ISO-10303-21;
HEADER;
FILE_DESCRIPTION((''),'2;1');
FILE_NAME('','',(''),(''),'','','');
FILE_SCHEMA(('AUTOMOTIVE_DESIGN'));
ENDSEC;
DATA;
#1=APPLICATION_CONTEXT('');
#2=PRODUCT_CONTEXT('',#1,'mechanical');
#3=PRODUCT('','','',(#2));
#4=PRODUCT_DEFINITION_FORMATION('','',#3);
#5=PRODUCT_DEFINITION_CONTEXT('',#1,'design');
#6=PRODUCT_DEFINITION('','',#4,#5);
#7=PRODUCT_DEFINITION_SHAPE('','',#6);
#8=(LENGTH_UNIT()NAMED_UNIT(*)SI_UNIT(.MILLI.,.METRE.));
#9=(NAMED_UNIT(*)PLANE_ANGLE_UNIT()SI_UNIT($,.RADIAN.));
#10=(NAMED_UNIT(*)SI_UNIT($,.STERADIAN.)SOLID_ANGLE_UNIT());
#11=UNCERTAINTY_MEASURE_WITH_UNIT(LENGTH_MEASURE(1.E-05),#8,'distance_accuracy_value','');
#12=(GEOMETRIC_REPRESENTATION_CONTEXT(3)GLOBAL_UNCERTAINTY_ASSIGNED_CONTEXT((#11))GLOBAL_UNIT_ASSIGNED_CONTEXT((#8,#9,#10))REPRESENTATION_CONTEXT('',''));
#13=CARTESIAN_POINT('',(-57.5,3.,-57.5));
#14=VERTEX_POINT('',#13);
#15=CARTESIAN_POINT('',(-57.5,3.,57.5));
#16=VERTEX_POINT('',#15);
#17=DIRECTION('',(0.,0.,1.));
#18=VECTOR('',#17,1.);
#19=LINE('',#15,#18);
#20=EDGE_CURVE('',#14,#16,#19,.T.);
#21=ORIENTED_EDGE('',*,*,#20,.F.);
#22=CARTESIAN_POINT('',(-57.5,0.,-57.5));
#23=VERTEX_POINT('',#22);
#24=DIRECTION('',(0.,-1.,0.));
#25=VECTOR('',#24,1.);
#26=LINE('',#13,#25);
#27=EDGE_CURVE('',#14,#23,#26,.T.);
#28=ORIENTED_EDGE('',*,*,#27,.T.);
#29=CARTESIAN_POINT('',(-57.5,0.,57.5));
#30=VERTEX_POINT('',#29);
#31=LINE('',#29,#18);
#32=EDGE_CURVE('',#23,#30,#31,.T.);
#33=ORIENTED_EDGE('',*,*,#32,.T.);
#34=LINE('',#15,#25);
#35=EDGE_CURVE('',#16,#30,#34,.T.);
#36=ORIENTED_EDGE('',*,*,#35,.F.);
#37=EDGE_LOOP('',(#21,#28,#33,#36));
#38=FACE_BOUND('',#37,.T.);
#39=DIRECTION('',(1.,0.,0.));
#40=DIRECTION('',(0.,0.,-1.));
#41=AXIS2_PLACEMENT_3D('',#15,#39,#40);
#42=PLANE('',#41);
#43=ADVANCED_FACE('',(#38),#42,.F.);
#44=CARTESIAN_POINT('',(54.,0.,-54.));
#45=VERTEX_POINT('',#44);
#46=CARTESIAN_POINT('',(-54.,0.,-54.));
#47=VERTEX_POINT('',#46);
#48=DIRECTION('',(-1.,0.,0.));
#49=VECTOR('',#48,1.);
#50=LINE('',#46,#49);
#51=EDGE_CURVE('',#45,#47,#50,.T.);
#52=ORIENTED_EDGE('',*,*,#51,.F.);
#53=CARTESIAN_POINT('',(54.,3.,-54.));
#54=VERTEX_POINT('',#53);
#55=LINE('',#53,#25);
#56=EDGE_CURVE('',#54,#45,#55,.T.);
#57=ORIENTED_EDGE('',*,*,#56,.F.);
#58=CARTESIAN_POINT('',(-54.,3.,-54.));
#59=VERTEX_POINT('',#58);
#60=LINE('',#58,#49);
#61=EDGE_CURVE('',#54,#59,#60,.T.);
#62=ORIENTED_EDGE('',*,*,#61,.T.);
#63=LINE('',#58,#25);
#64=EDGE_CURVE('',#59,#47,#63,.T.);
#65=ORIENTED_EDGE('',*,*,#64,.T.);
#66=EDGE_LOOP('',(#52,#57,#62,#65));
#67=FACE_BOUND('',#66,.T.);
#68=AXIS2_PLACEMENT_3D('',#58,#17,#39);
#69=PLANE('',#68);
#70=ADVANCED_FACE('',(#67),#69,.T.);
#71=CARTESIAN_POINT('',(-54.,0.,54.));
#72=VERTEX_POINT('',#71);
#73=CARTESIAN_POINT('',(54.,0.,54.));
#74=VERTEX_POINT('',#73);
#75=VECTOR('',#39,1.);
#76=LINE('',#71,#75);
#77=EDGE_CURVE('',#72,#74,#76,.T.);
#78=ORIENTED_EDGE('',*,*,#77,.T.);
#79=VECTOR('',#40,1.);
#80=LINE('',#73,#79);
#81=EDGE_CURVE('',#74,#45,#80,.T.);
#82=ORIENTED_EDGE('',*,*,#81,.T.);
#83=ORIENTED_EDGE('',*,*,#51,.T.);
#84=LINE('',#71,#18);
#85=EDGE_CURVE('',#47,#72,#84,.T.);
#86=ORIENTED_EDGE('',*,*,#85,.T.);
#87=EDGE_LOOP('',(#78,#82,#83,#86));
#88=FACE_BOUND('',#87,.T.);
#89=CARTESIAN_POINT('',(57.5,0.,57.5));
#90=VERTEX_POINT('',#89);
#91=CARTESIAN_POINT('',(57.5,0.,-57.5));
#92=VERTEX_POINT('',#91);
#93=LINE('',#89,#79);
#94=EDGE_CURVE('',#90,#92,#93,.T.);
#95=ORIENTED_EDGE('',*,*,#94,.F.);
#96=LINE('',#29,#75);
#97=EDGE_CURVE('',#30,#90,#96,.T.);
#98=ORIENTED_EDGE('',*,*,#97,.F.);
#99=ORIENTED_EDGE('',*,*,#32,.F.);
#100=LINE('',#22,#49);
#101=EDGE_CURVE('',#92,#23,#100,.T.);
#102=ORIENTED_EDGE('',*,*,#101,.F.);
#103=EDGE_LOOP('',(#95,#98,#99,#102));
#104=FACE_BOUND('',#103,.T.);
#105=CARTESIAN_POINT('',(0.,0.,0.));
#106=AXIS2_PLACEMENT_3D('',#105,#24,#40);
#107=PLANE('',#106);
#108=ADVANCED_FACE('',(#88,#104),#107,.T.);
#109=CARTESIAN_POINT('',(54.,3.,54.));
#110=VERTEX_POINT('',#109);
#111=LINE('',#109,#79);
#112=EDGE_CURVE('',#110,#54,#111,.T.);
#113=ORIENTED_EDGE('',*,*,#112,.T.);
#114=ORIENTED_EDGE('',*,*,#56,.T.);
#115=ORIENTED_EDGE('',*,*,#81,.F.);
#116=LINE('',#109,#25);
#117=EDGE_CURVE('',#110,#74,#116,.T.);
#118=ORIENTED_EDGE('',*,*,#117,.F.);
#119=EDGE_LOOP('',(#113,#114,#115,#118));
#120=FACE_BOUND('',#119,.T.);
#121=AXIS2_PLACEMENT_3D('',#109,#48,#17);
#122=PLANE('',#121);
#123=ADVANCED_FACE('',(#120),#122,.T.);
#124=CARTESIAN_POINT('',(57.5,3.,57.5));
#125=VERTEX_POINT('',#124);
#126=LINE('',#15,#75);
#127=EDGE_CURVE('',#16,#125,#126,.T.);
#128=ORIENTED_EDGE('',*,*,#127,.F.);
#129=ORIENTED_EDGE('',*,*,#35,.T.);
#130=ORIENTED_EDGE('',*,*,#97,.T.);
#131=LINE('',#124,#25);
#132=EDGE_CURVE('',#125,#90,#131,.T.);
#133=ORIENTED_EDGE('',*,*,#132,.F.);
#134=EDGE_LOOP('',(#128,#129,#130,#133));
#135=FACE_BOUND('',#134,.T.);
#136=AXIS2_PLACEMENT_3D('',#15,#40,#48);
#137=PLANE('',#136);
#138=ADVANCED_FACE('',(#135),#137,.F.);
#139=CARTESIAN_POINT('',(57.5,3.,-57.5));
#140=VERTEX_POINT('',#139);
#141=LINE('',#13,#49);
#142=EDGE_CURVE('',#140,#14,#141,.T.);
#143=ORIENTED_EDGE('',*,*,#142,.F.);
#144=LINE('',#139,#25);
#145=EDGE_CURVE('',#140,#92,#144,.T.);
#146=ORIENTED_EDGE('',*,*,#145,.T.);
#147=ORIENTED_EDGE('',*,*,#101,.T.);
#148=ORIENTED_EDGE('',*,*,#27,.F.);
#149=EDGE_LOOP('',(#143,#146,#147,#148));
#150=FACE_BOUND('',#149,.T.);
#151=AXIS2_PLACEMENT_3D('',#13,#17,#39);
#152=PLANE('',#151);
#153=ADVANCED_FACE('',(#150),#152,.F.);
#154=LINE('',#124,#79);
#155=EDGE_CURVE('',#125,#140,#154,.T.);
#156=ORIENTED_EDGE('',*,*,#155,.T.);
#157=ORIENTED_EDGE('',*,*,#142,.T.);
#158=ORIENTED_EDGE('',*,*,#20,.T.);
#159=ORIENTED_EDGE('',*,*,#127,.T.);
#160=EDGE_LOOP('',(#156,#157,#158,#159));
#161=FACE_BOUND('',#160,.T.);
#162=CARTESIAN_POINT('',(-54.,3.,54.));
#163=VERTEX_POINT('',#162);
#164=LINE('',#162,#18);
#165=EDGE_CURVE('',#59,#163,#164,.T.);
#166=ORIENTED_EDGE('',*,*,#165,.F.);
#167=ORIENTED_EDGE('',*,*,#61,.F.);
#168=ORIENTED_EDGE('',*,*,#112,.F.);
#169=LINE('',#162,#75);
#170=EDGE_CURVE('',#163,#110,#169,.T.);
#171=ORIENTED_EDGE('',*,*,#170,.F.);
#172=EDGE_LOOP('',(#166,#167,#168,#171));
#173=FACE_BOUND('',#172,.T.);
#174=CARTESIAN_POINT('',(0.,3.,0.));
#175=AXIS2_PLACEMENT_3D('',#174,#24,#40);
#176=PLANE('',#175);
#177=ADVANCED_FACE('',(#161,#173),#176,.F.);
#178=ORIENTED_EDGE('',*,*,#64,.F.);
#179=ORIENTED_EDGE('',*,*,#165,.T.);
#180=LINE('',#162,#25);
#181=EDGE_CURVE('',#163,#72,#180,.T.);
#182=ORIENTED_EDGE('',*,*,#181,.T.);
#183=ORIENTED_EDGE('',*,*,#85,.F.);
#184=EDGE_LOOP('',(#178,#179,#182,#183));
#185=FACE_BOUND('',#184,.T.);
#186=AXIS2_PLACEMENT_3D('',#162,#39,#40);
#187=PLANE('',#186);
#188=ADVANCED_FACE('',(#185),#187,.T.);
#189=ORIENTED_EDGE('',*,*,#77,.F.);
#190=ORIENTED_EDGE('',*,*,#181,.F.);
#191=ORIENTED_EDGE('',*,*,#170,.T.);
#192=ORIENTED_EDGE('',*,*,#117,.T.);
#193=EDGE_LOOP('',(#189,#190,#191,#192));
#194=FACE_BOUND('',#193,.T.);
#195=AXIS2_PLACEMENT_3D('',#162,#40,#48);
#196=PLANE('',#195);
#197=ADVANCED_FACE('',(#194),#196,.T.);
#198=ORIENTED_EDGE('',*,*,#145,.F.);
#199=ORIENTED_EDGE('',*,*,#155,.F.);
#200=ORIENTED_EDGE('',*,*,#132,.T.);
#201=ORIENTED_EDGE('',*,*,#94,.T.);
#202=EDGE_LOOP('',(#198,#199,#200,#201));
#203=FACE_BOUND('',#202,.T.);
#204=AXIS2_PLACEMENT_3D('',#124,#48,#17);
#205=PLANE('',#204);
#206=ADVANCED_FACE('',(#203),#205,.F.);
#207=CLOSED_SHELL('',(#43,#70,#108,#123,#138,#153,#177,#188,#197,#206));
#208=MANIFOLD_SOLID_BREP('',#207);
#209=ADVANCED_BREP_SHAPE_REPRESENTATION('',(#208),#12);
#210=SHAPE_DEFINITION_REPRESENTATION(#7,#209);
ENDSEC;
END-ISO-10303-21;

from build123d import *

# Parameters (mm, degrees)
SKETCH_2_W      = 115
SKETCH_2_H      = 115
SKETCH_2_W_2    = 108
SKETCH_2_H_2    = 108
EXTRUDE_2_DEPTH = 3


with BuildPart() as part:
    # 스케치2 → 보스-돌출2 (new body)
    with BuildSketch(Plane(origin=(0, 0, 0), x_dir=(1, 0, 0), z_dir=(0, 1, 0))):
        Rectangle(SKETCH_2_W, SKETCH_2_H)
        Rectangle(SKETCH_2_W_2, SKETCH_2_H_2, mode=Mode.SUBTRACT)
    extrude(amount=EXTRUDE_2_DEPTH)


solid = part.part
